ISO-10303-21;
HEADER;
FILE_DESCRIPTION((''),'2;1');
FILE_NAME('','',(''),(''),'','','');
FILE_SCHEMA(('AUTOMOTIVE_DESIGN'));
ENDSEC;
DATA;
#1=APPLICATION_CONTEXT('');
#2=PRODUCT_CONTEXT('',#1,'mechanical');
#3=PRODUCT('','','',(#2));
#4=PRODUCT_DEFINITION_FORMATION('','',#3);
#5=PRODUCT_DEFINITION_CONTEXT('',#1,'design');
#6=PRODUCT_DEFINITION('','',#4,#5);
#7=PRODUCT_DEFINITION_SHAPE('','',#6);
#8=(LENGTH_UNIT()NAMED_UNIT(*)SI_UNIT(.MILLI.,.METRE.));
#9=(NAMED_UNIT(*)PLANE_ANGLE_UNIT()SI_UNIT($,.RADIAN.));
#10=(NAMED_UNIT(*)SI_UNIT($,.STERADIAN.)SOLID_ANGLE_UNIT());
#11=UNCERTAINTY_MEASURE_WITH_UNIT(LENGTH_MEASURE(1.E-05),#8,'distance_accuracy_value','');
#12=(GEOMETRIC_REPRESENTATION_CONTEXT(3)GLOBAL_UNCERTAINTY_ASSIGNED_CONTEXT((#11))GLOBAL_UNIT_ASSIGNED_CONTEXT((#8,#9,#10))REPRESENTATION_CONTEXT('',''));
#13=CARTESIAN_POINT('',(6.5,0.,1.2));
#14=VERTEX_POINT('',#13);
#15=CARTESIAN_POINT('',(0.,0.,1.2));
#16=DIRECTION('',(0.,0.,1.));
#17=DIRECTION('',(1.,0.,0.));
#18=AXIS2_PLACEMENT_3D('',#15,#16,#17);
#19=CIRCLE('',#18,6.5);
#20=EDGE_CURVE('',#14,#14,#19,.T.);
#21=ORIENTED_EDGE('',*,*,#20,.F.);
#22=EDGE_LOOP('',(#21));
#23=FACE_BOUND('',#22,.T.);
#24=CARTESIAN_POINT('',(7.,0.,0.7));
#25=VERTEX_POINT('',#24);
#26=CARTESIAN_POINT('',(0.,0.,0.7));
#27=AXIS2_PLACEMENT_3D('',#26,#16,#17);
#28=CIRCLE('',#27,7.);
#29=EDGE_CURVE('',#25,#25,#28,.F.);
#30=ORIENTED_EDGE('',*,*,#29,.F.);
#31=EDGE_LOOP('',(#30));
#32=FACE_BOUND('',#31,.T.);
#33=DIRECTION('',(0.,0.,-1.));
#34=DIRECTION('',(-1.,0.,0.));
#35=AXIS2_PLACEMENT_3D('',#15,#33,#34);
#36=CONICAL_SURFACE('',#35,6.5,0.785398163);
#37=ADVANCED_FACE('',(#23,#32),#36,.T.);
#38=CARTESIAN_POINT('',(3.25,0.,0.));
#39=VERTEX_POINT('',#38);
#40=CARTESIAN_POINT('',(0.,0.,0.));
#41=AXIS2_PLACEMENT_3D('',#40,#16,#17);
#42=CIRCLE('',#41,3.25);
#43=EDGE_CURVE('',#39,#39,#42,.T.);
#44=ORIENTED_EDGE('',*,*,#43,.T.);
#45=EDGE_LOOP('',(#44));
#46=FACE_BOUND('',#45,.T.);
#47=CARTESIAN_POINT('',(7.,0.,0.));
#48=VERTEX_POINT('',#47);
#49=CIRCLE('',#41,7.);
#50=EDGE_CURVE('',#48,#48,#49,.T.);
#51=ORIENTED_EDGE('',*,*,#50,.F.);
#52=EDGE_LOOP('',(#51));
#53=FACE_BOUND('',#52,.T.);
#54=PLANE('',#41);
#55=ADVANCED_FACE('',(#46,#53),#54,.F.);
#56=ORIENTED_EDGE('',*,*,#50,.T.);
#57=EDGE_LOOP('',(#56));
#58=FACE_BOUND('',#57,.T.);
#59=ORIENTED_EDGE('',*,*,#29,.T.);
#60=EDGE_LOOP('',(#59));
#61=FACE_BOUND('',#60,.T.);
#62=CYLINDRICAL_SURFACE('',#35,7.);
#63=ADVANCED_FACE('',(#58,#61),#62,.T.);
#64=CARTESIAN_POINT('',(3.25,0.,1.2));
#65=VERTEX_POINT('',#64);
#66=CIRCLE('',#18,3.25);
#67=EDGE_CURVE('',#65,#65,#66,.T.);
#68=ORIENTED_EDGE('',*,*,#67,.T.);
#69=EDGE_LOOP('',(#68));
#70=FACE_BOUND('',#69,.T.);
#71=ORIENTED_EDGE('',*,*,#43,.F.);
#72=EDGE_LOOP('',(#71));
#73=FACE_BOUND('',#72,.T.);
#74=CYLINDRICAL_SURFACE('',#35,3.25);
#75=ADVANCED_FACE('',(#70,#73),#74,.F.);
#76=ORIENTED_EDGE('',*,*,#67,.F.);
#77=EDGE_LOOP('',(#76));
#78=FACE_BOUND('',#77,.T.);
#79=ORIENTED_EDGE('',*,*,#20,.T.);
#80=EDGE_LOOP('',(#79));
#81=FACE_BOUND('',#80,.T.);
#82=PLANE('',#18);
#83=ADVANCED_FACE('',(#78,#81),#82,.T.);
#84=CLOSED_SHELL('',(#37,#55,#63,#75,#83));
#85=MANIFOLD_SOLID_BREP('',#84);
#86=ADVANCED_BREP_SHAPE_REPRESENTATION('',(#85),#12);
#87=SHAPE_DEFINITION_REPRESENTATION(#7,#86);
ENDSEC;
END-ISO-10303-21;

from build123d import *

# Parameters (mm, degrees)
ESQUISSE1_R          = 7
ESQUISSE1_R_2        = 3.25
BASE_EXTRUSION_DEPTH = 1.2
CHANFREIN1_SIZE      = 0.5


with BuildPart() as part:
    # Esquisse1 → Base-Extrusion (new body)
    with BuildSketch(Plane.XY):
        Circle(ESQUISSE1_R)
        Circle(ESQUISSE1_R_2, mode=Mode.SUBTRACT)
    extrude(amount=BASE_EXTRUSION_DEPTH)

    # Chanfrein1
    chanfrein1_edges = [part.edges().sort_by_distance(p)[0] for p in [
        (-7, 0, 1.2),
    ]]
    chamfer(chanfrein1_edges, length=CHANFREIN1_SIZE)


solid = part.part
